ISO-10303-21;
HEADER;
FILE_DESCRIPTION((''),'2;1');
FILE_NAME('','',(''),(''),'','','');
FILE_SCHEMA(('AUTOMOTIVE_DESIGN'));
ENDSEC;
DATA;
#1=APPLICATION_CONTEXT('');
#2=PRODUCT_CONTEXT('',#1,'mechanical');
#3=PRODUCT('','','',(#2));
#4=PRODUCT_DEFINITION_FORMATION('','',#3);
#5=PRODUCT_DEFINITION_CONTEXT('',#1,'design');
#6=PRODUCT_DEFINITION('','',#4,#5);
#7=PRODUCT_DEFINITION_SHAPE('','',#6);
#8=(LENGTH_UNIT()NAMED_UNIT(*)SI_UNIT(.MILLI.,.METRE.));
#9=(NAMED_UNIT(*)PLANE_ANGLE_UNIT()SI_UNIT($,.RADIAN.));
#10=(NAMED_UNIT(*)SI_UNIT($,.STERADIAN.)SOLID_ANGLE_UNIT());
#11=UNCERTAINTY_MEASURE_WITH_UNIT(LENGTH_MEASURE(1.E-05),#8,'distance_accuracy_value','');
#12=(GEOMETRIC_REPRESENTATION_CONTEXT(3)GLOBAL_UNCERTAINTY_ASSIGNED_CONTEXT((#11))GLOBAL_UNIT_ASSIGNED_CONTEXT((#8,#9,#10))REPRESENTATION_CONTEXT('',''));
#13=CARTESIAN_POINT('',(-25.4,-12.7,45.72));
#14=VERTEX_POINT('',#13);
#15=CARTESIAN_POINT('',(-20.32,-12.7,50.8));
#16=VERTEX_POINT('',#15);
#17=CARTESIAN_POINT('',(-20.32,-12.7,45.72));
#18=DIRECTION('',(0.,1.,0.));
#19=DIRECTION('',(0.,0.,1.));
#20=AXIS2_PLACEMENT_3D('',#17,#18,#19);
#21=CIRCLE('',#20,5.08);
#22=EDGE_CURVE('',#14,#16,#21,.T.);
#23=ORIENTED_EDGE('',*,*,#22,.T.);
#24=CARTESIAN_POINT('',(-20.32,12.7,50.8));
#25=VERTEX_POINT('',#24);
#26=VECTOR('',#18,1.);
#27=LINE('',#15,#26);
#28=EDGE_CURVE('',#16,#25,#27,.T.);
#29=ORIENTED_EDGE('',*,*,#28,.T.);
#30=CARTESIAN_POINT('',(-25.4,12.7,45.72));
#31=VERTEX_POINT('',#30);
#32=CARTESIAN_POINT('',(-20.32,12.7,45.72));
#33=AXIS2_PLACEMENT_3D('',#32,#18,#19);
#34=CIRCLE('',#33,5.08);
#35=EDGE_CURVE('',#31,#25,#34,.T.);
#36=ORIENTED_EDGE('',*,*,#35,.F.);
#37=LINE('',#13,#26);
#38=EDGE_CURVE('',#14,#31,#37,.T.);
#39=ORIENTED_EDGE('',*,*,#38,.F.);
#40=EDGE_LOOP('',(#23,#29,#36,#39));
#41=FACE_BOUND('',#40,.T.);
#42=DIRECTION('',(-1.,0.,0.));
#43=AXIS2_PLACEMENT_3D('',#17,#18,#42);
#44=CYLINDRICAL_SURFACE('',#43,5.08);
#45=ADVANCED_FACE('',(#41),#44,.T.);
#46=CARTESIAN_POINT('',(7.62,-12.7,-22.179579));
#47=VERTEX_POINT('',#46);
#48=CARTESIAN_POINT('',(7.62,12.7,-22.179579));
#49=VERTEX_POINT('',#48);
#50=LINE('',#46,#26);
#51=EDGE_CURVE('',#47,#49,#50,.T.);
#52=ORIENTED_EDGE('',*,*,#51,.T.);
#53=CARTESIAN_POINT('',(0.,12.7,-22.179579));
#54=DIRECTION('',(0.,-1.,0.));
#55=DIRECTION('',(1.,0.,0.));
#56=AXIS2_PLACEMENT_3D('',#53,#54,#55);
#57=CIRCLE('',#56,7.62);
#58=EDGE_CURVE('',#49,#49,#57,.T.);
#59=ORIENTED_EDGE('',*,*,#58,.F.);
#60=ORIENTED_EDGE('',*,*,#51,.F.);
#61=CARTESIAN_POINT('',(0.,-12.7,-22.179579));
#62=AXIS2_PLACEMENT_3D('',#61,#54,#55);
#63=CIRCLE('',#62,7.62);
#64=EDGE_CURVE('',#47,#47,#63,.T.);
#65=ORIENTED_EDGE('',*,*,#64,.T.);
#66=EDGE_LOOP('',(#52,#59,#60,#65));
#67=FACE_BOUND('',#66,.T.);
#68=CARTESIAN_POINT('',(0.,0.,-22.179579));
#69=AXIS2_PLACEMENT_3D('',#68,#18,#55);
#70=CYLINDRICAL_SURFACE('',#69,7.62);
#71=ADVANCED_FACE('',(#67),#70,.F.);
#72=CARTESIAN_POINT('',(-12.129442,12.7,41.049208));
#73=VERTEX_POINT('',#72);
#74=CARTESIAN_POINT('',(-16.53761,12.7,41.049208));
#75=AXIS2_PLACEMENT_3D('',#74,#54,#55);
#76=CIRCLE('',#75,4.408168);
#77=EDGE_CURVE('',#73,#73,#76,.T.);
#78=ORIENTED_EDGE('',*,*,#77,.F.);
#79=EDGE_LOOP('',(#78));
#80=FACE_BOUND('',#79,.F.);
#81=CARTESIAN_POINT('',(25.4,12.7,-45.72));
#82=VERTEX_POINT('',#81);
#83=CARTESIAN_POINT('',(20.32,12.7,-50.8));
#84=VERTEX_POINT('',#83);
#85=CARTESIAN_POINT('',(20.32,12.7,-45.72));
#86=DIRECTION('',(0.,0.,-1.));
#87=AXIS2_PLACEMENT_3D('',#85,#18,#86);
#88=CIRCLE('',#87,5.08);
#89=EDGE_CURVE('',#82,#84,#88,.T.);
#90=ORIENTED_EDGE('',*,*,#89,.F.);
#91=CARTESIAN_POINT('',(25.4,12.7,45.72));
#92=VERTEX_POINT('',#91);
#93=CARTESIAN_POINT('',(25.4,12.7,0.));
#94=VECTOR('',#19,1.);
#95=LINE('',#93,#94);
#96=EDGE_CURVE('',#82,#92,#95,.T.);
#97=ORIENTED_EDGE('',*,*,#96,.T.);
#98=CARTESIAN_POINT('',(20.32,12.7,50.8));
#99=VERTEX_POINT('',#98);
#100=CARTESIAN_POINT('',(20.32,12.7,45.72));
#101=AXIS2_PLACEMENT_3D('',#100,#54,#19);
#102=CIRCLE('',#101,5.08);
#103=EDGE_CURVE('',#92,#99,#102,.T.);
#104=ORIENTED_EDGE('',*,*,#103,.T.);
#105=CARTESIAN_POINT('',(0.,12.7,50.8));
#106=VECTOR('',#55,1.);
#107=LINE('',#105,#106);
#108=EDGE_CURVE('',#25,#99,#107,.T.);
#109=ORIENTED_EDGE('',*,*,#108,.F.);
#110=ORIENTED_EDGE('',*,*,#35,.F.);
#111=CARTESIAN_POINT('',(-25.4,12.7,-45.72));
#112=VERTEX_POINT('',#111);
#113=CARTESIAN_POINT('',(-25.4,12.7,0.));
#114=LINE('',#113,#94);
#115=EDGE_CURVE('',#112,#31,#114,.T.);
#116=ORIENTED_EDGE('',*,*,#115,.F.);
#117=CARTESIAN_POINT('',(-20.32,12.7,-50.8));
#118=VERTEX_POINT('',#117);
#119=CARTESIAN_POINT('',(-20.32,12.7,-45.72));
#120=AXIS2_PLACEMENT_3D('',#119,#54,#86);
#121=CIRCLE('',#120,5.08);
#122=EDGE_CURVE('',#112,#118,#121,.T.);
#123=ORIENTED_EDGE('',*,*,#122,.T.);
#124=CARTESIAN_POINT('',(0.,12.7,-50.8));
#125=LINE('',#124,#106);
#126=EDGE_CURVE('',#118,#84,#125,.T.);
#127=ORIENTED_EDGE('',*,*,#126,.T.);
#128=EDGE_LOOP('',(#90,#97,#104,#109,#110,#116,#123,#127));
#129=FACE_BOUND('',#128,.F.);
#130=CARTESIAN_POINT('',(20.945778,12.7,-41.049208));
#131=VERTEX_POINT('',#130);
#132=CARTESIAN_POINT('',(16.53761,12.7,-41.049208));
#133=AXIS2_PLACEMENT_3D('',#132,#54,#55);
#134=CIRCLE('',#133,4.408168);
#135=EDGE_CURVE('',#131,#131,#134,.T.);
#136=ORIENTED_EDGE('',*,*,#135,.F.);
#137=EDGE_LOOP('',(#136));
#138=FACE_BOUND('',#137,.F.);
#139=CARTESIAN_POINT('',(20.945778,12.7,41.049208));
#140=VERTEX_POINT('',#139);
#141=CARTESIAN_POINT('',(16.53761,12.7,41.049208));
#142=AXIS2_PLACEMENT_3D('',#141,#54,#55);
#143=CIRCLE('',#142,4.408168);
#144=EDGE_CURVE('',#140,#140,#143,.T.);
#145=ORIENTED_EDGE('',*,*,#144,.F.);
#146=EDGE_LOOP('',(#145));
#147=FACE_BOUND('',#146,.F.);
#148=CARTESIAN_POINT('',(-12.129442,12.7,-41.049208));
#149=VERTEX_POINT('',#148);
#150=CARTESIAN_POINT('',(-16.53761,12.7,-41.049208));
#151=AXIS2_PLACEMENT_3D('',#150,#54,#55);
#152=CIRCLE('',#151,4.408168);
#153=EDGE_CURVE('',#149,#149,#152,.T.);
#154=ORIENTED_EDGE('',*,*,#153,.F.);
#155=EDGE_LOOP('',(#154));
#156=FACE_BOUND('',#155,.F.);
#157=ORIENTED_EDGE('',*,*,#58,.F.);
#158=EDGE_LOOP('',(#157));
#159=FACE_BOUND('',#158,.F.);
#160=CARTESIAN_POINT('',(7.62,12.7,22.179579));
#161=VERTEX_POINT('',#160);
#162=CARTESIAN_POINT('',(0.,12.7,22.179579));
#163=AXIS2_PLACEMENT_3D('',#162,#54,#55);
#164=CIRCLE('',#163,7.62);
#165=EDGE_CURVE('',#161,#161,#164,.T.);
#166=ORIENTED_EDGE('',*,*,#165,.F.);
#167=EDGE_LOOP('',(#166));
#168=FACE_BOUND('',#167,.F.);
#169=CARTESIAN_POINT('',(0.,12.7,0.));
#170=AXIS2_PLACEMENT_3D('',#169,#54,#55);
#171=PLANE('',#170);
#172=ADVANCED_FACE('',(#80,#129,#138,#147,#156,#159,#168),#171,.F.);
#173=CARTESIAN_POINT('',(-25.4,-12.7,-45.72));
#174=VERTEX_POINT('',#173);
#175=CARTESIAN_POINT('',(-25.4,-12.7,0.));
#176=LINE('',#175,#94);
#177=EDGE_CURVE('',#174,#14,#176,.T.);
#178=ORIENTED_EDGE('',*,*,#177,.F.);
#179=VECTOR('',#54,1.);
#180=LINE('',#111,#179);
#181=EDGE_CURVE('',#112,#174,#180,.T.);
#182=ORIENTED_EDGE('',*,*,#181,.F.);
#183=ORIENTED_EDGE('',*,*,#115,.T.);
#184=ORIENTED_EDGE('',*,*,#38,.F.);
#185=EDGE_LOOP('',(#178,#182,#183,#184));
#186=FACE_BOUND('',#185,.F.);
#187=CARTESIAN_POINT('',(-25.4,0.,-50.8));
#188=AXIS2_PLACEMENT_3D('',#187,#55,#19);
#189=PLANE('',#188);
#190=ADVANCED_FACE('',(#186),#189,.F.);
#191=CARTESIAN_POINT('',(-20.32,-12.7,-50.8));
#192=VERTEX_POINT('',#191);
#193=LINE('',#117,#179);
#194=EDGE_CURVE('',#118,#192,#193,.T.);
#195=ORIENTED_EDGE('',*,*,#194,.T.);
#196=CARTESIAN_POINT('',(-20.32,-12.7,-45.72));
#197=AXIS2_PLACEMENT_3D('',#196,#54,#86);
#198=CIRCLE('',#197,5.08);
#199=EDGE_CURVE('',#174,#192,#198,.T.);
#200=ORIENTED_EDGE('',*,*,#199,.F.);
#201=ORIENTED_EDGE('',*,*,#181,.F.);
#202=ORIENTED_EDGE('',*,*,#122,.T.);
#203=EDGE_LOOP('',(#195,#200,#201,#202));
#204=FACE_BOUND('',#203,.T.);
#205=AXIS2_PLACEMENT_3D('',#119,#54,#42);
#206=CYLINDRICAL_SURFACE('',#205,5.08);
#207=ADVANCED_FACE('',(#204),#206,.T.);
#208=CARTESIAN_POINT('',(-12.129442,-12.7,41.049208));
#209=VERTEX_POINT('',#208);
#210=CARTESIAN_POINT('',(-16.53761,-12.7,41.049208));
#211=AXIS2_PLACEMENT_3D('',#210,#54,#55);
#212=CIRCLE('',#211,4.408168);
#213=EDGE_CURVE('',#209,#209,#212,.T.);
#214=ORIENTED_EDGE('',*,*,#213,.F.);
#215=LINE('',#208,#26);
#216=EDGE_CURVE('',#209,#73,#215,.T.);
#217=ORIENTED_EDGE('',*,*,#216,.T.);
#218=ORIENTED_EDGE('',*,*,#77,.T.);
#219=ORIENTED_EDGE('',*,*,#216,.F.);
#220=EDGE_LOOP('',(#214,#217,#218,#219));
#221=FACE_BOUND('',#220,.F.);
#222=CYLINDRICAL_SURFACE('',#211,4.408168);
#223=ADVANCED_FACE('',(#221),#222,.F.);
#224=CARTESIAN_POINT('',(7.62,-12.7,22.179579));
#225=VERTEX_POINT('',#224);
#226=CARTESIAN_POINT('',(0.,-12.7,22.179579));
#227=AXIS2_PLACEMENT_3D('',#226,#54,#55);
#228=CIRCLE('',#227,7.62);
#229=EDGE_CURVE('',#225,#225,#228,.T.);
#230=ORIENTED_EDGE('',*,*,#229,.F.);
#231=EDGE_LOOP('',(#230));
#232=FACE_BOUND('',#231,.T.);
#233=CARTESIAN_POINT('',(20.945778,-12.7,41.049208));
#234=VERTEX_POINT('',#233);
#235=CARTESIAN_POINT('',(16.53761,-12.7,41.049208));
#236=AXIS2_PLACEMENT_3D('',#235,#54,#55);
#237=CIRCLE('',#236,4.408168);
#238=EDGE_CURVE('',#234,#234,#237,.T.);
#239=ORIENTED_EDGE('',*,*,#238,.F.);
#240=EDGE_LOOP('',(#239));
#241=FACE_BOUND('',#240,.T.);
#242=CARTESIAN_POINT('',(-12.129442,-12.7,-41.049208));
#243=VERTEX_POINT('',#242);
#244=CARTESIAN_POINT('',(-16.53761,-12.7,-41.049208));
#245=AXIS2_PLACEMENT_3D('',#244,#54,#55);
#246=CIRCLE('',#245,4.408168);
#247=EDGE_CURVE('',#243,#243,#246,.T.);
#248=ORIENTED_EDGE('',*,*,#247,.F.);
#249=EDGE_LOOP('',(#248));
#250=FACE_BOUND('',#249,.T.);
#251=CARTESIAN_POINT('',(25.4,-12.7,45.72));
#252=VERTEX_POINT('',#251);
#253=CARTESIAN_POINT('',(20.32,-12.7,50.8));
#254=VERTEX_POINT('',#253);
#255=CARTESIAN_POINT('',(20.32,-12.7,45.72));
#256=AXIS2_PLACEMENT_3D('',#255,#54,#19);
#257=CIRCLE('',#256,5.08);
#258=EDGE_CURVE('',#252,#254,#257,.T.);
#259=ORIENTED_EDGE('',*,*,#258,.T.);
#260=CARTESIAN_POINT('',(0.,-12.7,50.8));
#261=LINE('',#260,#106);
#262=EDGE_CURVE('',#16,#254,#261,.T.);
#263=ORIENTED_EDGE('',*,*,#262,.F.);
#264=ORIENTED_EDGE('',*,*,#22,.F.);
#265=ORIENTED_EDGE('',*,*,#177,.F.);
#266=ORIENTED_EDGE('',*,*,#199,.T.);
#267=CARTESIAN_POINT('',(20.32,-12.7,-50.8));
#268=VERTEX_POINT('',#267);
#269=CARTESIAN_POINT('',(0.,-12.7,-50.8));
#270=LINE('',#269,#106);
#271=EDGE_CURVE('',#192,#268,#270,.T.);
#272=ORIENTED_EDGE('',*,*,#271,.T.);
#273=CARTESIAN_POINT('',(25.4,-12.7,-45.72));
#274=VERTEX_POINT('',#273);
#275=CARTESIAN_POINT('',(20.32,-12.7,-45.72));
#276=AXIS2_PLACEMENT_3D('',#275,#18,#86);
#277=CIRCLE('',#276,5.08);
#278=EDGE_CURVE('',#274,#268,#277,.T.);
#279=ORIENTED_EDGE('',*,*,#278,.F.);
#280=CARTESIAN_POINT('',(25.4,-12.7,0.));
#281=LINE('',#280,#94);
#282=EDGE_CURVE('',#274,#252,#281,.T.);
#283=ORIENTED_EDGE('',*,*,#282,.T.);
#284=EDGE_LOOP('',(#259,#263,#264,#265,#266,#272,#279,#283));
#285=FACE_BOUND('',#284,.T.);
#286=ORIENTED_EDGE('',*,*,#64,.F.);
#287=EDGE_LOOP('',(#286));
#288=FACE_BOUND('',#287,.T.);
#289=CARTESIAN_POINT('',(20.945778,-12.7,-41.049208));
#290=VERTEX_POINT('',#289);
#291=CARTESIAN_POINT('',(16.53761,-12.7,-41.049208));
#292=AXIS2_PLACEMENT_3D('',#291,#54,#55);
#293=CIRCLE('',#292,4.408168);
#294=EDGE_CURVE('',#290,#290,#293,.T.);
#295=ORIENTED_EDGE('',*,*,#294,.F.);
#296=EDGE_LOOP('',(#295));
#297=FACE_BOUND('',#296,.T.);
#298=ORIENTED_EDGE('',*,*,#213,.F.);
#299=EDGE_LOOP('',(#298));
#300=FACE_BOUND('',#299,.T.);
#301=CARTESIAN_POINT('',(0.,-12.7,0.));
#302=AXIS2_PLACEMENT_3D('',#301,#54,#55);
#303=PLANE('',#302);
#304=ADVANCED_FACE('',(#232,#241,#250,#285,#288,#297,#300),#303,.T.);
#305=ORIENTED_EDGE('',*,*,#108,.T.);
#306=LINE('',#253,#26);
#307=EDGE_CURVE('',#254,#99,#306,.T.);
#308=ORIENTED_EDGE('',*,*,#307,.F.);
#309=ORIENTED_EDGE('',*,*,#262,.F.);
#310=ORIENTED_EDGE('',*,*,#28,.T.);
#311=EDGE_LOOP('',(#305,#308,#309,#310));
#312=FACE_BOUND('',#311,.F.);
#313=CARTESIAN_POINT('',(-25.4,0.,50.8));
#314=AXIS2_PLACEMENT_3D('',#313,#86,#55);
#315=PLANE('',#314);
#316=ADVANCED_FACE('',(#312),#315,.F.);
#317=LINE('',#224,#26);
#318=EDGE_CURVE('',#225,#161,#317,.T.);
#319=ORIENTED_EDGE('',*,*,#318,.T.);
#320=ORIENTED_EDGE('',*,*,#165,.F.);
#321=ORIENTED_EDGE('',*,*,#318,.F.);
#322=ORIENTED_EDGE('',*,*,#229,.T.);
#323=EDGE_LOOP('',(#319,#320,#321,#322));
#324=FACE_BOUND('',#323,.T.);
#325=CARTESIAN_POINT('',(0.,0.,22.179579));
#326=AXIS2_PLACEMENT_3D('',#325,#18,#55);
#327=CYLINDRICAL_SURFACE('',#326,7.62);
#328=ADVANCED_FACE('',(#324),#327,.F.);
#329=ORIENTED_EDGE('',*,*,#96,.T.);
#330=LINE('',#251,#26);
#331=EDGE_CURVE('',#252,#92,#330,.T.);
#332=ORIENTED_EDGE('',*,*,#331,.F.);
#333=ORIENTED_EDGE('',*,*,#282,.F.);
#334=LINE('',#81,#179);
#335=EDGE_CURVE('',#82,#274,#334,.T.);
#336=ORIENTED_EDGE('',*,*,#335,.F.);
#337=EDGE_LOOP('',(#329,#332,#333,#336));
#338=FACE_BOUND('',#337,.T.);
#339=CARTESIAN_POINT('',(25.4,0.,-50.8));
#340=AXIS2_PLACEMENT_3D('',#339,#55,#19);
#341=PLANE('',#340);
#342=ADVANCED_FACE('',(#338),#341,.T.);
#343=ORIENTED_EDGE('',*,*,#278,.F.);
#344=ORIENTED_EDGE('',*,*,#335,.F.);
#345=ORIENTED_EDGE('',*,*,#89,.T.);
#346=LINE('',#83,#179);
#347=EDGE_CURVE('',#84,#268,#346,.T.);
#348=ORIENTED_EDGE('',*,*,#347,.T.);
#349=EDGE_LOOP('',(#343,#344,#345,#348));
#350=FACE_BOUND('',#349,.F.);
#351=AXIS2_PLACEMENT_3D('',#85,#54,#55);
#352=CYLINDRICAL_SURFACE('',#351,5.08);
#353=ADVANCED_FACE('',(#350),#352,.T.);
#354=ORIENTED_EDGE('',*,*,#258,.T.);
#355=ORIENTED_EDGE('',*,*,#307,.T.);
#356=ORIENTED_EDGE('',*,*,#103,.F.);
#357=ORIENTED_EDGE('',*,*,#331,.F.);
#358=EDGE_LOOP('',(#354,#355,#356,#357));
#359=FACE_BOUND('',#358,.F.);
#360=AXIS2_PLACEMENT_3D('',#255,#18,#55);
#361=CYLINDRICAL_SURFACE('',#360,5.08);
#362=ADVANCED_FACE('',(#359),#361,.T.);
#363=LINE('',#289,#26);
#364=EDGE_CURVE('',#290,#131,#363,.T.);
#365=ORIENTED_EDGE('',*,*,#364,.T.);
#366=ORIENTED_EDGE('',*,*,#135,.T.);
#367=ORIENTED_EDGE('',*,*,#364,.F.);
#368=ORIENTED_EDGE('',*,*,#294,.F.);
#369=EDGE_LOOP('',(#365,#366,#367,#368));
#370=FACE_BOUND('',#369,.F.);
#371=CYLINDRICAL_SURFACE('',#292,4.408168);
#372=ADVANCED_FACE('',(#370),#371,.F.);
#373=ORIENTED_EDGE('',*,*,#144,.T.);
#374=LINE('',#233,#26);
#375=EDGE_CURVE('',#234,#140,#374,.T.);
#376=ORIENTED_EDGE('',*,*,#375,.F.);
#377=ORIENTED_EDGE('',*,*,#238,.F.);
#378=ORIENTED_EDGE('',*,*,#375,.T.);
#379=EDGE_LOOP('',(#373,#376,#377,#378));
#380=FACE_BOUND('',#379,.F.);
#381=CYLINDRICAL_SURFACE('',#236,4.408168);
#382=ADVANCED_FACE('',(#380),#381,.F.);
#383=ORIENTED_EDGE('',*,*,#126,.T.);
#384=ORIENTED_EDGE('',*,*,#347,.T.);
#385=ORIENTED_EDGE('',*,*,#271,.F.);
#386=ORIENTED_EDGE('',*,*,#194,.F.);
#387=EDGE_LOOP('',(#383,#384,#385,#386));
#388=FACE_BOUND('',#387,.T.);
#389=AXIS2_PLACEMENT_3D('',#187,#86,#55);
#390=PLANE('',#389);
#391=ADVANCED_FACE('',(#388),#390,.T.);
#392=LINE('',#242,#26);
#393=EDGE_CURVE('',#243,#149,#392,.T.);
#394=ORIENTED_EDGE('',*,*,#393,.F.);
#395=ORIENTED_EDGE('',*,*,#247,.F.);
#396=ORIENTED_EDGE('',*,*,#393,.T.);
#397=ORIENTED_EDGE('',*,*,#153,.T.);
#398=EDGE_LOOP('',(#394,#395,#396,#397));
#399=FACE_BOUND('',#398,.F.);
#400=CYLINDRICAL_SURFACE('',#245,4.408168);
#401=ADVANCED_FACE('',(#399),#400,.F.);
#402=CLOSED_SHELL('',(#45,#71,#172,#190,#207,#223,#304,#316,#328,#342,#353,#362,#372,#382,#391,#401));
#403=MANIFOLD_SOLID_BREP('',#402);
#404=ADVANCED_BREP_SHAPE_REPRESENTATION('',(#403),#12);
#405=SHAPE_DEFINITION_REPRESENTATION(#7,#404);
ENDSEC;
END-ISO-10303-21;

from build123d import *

# Parameters (mm, degrees)
F0_W     = 50.8
F0_H     = 101.6
F0_R     = 7.62
F1_DEPTH = 12.7
F2_R     = 5.08
F3_R     = 4.408168
F4_DEPTH = 25.401


with BuildPart() as f1:
    # F0 (on Front) → F1 (new body, symmetric)
    with BuildSketch(Plane.XZ):
        Rectangle(F0_W, F0_H)
        with Locations((0, -22.179579)):
            Circle(F0_R, mode=Mode.SUBTRACT)
        with Locations((0, 22.179579)):
            Circle(F0_R, mode=Mode.SUBTRACT)
    extrude(amount=F1_DEPTH, both=True)

    # F2
    f2_edges = [f1.edges().sort_by_distance(p)[0] for p in [
        (-25.4, 0, 50.8),
        (25.4, 0, 50.8),
        (25.4, 0, -50.8),
        (-25.4, 0, -50.8),
    ]]
    fillet(f2_edges, radius=F2_R)

    # F3 (on face) → F4 (cut, through all)
    with BuildSketch(Plane.XZ.offset(12.7)):
        with Locations((-16.53761, 41.049208)):
            Circle(F3_R)
        with Locations((16.53761, 41.049208)):
            Circle(F3_R)
        with Locations((16.53761, -41.049208)):
            Circle(F3_R)
        with Locations((-16.53761, -41.049208)):
            Circle(F3_R)
    extrude(amount=-F4_DEPTH, mode=Mode.SUBTRACT)


solid = f1.part
